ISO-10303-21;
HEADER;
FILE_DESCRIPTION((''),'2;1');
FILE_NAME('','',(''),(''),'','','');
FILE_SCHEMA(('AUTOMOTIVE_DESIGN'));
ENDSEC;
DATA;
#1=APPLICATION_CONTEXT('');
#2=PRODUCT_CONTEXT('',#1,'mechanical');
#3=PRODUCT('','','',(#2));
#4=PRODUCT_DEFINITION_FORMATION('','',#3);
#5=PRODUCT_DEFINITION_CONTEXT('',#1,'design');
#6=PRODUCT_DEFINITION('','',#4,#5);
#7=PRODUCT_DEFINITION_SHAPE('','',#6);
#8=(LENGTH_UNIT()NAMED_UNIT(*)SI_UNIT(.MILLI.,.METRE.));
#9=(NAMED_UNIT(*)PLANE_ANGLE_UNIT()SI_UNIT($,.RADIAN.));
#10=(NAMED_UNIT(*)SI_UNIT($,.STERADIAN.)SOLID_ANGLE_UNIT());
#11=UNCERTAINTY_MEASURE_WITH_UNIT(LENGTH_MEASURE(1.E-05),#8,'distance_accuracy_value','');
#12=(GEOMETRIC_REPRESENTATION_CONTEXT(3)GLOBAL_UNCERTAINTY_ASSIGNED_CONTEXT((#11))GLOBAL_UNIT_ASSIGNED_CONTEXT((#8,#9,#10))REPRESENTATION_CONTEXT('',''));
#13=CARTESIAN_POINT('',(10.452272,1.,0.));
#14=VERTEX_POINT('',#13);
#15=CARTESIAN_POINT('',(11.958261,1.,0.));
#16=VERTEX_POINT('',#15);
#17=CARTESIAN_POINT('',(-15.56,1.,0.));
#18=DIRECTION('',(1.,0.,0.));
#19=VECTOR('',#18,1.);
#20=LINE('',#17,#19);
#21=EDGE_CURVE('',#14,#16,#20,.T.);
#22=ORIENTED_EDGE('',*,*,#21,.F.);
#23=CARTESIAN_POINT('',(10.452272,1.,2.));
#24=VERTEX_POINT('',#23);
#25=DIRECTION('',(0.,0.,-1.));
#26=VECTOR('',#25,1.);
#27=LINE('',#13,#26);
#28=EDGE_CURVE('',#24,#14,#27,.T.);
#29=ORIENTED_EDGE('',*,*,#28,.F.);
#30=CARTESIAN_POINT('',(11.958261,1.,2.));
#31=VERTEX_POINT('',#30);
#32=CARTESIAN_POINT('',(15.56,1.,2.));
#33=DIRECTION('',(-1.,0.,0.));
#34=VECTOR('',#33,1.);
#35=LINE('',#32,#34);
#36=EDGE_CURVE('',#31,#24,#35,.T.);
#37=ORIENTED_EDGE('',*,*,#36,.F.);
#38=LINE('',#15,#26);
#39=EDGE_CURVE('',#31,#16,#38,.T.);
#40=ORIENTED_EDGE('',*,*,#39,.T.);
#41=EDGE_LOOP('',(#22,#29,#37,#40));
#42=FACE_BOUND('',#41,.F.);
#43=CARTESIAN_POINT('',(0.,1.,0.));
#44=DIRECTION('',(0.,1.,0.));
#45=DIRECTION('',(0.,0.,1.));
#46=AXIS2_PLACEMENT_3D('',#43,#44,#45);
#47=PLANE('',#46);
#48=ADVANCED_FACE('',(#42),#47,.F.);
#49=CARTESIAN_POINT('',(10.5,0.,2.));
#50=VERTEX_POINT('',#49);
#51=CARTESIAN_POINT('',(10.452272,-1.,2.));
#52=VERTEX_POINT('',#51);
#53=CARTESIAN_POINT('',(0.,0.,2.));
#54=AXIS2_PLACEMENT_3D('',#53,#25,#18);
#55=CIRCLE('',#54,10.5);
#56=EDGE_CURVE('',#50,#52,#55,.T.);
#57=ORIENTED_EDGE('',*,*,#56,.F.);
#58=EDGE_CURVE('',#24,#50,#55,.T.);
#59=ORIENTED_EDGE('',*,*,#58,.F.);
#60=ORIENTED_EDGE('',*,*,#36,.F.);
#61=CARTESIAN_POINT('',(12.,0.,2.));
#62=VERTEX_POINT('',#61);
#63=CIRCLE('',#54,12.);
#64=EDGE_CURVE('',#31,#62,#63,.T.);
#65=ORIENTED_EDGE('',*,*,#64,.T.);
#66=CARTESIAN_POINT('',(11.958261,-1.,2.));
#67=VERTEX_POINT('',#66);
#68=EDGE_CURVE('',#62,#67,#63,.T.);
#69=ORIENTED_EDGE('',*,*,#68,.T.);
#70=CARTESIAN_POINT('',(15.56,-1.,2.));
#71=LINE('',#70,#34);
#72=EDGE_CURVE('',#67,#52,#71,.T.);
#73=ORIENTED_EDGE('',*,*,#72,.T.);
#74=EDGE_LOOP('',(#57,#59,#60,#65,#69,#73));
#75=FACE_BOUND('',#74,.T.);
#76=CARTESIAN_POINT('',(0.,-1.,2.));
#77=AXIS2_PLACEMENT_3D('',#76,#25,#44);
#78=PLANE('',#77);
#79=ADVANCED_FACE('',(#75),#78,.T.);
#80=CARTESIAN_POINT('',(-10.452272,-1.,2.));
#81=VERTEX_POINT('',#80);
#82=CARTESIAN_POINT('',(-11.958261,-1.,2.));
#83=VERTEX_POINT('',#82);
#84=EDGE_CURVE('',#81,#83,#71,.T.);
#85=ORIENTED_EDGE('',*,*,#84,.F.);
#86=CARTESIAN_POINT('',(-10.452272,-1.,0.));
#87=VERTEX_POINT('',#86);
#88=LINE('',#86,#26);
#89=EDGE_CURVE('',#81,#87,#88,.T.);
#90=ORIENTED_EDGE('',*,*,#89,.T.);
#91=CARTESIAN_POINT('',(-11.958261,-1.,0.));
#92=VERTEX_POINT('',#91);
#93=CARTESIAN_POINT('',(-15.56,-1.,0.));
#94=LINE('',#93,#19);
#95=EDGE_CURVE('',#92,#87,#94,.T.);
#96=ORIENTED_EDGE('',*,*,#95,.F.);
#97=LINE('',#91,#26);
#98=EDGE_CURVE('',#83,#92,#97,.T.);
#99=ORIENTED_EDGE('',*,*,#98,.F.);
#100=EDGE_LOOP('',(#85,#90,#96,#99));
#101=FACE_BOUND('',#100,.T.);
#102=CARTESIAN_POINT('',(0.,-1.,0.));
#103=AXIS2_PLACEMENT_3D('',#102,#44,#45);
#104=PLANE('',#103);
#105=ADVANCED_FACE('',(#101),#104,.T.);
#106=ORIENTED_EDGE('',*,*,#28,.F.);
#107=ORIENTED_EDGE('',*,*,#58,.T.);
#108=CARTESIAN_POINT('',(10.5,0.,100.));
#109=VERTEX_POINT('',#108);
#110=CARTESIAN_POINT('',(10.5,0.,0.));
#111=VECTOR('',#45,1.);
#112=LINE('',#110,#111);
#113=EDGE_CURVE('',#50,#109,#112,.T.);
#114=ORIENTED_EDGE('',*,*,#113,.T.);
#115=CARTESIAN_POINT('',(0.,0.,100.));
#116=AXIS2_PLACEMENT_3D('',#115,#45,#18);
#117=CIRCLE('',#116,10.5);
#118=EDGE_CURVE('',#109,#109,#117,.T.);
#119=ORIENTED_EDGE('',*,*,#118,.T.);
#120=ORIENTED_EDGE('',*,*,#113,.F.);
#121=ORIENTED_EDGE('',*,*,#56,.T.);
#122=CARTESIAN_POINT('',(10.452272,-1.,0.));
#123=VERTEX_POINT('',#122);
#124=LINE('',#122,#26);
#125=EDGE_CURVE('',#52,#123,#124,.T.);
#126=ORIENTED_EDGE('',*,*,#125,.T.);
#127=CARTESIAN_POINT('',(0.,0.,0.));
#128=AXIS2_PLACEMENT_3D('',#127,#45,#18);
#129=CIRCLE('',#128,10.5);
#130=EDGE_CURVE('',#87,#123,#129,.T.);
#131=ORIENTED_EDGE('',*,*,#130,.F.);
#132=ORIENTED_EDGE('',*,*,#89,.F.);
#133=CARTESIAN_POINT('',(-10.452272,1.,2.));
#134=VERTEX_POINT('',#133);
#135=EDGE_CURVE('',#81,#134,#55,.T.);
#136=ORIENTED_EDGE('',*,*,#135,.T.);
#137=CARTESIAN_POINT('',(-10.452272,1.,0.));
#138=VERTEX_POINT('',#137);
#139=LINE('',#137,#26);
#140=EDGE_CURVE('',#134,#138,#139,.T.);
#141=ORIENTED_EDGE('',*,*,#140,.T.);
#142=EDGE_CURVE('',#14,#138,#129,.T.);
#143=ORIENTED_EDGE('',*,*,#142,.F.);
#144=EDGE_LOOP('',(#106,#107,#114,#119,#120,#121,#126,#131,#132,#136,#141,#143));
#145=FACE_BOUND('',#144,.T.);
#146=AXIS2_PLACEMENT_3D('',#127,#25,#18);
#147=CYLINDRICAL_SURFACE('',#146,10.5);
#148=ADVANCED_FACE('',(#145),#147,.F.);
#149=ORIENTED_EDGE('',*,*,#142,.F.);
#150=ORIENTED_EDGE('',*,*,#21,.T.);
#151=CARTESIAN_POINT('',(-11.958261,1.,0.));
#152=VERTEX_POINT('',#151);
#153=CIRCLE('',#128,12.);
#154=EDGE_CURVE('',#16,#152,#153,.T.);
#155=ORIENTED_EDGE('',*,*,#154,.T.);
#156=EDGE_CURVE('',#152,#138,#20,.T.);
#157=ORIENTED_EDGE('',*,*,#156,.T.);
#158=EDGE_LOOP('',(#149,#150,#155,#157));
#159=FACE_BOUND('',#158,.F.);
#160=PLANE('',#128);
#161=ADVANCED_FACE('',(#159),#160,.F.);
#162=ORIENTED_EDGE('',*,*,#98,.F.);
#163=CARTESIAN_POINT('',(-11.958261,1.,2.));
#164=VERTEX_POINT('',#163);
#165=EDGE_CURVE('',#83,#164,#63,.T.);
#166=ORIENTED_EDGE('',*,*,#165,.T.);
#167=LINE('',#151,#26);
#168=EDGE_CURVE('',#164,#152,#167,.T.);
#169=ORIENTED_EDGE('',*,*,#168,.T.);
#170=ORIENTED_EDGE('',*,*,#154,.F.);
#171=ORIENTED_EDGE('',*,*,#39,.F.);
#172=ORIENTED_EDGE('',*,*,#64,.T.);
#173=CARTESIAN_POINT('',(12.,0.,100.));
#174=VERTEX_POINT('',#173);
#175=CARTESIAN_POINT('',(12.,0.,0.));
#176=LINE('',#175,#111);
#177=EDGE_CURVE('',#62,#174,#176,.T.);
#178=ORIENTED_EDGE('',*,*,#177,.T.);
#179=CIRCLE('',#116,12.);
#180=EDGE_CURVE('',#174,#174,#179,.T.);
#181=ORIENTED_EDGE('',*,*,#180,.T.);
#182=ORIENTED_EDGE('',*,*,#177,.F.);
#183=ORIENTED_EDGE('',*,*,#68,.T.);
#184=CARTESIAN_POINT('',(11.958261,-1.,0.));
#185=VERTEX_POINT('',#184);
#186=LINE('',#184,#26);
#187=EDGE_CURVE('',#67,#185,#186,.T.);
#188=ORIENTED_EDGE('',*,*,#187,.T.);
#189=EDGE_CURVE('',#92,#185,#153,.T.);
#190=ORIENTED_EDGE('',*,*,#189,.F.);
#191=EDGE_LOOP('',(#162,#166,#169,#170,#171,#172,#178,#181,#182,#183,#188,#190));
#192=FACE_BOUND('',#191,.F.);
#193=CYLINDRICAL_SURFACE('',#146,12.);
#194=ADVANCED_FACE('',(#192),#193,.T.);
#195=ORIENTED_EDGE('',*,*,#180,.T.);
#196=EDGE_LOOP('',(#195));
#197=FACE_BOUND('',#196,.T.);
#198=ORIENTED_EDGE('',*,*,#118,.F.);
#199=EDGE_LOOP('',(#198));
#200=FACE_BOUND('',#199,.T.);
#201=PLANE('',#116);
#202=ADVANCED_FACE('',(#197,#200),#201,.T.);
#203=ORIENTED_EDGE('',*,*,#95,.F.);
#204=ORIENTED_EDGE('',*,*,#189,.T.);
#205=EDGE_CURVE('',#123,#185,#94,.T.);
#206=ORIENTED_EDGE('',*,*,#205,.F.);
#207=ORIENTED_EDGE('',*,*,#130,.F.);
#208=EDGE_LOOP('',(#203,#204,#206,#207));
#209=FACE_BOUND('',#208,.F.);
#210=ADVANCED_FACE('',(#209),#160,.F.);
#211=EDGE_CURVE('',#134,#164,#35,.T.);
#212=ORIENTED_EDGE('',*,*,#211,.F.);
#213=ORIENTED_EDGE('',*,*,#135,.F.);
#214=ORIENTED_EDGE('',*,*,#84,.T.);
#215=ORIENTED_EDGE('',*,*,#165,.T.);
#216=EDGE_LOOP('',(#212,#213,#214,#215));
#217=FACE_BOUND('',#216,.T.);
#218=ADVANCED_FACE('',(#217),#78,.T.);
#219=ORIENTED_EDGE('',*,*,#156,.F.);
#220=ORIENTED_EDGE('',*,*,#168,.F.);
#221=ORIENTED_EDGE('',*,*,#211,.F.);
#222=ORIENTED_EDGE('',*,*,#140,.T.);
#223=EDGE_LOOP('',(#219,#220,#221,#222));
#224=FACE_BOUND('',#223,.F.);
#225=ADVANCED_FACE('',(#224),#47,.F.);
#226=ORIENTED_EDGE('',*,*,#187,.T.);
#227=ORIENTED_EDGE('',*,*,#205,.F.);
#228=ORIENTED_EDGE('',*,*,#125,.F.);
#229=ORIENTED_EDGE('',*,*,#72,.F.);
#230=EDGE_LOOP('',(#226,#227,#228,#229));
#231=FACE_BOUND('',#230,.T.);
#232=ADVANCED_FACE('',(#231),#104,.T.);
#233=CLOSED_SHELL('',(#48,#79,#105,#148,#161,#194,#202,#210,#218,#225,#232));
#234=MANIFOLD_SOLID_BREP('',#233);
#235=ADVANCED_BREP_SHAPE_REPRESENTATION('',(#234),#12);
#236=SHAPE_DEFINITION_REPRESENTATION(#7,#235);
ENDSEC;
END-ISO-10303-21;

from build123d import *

# Parameters (mm, degrees)
F0_R     = 12
F0_R_2   = 10.5
F1_DEPTH = 100
F2_W     = 2
F2_H     = 2
F3_DEPTH = 15.56


with BuildPart() as f1:
    # F0 (on Top) → F1 (new body)
    with BuildSketch(Plane.XY):
        Circle(F0_R)
        Circle(F0_R_2, mode=Mode.SUBTRACT)
    extrude(amount=F1_DEPTH)

    # F2 (on Right) → F3 (cut, symmetric)
    with BuildSketch(Plane.YZ):
        with Locations((0, 1)):
            Rectangle(F2_W, F2_H)
    extrude(amount=F3_DEPTH, both=True, mode=Mode.SUBTRACT)


solid = f1.part
